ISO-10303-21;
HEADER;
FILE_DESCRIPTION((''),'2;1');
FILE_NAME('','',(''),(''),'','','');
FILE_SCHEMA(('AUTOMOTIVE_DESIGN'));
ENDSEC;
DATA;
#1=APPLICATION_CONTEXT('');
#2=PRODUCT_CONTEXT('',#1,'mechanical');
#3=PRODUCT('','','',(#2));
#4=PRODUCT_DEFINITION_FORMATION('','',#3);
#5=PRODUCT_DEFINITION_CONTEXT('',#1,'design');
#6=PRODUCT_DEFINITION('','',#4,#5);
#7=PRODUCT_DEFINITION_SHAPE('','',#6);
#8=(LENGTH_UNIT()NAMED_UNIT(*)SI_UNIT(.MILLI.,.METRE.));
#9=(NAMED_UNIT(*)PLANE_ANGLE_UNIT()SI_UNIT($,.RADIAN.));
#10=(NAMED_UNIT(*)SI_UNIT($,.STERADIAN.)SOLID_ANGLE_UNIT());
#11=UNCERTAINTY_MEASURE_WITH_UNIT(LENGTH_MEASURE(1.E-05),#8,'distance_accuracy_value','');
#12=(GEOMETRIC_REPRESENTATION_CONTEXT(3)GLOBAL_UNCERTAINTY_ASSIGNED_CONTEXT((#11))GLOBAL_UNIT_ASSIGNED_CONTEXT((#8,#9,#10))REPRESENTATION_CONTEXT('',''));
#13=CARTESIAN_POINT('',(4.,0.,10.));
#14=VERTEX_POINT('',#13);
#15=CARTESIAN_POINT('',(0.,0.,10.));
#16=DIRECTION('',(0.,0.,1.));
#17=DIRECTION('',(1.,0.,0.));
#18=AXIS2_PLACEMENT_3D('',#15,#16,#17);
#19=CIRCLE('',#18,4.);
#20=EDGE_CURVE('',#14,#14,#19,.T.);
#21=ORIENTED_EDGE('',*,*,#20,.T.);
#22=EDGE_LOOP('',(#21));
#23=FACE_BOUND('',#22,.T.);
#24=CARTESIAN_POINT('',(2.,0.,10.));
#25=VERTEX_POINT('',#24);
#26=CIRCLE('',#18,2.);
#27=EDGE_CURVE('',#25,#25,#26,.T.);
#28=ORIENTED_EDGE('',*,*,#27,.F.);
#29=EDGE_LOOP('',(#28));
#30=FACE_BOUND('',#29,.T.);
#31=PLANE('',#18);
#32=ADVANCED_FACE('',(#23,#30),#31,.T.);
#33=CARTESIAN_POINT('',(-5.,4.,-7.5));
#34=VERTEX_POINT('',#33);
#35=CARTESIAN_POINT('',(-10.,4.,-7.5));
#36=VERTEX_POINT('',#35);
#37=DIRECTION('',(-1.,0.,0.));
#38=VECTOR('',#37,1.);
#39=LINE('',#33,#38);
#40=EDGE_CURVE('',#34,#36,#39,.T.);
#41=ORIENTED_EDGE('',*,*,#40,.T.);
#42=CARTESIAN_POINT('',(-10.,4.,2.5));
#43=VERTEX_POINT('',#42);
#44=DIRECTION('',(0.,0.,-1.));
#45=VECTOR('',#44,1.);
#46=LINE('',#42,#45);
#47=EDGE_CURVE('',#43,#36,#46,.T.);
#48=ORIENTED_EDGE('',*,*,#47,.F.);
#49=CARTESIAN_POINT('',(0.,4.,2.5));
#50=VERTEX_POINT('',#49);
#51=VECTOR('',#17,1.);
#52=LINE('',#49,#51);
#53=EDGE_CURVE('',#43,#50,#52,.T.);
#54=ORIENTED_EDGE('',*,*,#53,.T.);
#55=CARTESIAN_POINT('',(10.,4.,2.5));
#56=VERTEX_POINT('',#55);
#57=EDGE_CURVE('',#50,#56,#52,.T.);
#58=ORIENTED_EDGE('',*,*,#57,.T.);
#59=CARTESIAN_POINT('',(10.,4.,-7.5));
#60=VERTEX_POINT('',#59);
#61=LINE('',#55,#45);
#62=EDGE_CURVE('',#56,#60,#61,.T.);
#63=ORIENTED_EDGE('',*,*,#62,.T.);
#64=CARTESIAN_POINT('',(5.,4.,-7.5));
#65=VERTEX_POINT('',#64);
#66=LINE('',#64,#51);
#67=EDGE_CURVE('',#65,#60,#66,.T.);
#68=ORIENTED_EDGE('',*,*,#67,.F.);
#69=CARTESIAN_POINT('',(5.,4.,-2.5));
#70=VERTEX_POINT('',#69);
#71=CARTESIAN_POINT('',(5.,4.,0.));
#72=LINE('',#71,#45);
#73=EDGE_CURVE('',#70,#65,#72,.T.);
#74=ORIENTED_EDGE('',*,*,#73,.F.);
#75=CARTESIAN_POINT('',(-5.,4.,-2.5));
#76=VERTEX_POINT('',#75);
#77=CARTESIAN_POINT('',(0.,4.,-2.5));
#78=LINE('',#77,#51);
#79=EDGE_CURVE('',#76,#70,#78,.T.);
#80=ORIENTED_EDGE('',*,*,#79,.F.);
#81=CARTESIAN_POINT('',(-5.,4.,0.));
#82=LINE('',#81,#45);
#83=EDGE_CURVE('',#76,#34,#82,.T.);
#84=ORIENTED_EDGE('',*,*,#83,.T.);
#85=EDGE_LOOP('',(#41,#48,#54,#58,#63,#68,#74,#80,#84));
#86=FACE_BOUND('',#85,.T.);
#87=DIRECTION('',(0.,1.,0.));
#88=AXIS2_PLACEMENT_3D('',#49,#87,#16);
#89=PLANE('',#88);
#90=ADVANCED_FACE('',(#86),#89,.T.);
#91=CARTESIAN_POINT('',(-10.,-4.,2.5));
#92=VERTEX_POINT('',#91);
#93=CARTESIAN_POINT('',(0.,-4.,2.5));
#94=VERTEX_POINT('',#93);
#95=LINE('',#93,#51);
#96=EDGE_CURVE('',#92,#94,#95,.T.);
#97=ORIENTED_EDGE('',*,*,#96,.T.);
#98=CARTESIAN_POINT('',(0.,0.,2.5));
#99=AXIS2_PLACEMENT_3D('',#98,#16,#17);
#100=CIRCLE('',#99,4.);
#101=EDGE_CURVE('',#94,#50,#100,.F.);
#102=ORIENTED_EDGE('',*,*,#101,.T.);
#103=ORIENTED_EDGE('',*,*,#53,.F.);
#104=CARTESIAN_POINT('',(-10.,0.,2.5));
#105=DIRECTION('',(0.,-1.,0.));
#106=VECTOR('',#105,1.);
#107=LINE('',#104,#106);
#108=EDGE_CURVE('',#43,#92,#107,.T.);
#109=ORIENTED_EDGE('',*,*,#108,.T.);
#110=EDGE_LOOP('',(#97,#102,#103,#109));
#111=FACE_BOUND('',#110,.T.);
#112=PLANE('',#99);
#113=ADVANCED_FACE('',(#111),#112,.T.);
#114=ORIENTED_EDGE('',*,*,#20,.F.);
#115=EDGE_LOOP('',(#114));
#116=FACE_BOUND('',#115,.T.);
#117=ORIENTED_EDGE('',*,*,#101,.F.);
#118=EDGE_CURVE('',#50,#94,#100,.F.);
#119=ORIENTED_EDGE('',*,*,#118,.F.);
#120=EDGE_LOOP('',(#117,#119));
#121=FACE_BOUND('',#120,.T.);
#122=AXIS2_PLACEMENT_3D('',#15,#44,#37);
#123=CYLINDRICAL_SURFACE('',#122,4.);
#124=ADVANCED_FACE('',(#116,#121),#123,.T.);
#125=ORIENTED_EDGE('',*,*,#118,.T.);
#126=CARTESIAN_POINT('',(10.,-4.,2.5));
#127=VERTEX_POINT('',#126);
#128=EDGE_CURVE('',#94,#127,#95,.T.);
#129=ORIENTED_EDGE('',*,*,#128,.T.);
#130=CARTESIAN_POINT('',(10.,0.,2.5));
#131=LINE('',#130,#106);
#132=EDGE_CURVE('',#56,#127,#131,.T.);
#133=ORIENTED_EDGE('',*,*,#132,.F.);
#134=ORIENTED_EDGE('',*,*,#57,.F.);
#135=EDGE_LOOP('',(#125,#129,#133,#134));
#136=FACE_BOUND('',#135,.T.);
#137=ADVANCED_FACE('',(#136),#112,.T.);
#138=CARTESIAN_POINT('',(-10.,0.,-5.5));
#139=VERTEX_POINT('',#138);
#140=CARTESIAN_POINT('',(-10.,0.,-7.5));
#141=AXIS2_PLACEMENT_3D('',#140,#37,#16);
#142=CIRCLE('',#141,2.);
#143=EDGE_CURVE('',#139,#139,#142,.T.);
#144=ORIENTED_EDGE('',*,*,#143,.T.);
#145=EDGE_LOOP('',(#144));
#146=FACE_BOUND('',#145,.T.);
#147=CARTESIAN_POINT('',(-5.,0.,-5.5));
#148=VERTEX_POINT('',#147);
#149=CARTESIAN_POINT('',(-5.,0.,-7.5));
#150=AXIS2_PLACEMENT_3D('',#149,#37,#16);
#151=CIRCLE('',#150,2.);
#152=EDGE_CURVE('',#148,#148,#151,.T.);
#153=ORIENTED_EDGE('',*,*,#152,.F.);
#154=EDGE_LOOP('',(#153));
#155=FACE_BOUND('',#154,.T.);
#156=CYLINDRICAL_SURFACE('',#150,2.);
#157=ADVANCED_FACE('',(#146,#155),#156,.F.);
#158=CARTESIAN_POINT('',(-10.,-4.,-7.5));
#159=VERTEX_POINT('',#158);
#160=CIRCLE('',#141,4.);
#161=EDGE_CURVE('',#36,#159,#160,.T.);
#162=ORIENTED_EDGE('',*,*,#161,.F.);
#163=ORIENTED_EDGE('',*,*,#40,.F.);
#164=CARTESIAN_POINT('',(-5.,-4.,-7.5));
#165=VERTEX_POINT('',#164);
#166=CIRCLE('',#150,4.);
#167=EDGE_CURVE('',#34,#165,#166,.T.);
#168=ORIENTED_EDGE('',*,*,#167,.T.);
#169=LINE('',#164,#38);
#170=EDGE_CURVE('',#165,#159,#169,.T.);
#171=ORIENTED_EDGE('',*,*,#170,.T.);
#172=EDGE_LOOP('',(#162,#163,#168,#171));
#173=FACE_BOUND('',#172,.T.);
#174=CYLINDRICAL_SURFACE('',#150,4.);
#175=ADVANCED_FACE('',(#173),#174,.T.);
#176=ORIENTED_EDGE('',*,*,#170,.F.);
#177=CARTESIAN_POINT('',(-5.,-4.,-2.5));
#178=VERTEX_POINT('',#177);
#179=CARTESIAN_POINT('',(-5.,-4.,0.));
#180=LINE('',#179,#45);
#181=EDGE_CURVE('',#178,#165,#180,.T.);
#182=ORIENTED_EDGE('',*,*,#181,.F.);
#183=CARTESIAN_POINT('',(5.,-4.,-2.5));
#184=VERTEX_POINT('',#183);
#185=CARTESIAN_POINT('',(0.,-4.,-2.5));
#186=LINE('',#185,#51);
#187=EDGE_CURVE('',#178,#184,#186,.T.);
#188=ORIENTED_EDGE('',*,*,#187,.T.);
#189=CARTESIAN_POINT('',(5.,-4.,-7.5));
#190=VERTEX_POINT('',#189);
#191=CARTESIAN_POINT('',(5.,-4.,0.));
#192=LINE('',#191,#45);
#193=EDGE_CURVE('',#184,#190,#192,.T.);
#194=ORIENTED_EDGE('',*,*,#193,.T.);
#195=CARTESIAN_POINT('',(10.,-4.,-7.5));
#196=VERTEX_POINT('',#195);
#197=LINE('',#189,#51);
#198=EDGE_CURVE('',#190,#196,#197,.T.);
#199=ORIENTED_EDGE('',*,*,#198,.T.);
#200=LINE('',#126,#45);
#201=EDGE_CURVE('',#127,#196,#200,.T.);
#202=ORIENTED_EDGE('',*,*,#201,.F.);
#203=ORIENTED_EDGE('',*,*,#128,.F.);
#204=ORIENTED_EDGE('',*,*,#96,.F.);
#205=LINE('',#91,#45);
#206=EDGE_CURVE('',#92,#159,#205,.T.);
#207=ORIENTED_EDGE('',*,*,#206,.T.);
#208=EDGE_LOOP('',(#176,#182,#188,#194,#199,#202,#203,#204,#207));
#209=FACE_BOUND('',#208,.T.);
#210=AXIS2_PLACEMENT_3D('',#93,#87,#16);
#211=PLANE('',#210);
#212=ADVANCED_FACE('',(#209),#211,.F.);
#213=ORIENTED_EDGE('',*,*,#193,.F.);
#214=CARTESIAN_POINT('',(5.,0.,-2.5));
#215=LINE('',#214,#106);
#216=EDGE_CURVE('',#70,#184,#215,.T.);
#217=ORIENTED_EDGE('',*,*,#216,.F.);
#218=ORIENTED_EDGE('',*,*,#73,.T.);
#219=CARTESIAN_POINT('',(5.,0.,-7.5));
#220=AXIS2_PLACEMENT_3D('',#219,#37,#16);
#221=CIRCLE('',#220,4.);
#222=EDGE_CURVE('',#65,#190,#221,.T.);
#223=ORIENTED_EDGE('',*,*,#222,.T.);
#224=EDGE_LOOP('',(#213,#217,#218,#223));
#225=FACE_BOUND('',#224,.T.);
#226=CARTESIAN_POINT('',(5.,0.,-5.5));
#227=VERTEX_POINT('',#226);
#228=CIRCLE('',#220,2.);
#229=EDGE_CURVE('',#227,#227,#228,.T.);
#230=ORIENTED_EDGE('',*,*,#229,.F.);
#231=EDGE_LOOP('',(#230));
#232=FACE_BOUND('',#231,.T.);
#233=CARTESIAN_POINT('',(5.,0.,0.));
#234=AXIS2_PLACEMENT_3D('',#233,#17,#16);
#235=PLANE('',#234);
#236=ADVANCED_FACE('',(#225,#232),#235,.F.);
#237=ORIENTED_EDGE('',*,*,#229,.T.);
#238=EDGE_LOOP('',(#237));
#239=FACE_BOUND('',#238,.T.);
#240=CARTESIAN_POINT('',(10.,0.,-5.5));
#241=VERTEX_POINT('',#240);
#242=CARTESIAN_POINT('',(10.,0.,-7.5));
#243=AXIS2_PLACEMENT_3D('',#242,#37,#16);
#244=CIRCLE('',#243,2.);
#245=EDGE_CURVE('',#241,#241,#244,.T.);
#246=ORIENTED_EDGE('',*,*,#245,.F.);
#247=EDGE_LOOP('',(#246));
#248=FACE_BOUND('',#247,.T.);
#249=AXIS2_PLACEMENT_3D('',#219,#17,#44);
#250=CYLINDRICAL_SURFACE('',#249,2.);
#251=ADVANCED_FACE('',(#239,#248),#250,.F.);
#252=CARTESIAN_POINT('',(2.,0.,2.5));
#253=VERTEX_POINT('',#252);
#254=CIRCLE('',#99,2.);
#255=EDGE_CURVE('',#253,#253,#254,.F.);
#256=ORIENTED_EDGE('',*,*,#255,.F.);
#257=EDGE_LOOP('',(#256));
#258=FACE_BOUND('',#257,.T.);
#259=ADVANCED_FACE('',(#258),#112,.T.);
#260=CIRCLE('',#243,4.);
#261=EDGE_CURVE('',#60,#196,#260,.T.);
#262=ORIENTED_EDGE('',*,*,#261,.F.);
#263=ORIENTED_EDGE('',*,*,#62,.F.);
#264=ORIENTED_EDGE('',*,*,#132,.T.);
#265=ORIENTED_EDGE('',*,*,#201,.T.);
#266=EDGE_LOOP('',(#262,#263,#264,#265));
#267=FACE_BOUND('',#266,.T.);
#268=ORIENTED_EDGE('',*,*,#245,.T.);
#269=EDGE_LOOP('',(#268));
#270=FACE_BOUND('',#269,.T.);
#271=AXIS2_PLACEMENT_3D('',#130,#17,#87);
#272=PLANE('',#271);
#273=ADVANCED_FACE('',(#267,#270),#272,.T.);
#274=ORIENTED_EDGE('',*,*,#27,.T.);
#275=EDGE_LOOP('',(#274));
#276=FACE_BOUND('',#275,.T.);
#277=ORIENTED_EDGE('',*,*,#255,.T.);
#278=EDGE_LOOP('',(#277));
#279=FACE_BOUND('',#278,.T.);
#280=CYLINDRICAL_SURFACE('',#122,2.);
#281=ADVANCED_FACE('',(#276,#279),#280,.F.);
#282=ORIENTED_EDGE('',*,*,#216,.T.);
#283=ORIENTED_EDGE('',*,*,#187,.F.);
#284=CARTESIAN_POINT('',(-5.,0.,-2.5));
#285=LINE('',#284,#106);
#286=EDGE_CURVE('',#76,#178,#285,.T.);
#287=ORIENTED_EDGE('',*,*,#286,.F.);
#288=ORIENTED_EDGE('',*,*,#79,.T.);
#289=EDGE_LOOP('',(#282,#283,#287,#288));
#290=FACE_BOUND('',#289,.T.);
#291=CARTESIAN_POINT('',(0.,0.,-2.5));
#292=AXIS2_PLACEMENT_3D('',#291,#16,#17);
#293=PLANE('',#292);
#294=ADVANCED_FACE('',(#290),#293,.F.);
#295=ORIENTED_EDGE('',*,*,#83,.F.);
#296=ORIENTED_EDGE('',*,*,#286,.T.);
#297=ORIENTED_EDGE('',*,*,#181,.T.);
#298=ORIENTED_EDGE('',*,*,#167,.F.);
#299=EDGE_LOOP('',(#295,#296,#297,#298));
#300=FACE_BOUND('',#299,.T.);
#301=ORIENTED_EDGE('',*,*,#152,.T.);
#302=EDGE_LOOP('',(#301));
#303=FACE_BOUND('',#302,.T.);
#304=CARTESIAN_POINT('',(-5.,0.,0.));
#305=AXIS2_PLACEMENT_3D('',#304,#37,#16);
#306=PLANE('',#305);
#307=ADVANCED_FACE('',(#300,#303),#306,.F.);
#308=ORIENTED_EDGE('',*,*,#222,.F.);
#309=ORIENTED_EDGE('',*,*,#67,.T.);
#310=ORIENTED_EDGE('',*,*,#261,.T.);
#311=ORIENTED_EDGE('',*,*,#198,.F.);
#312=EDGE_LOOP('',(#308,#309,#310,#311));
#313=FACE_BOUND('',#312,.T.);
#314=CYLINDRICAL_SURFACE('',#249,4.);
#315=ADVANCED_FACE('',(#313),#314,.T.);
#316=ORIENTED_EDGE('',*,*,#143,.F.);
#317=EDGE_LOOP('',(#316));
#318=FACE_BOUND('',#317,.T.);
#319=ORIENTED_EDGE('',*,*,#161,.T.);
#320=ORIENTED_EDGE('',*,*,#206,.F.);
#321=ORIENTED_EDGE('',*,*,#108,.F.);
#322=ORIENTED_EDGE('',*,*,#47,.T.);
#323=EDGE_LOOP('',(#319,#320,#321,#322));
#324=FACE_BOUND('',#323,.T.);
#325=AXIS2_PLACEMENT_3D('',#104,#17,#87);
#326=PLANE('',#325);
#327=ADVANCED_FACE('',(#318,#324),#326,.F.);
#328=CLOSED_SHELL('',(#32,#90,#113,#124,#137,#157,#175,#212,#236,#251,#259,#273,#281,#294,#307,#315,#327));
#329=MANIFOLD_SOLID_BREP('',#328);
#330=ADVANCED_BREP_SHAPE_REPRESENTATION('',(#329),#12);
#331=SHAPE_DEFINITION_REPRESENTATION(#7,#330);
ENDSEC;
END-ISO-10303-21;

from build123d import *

# Parameters (mm, degrees)
SKETCH1_R           = 4
SKETCH1_R_2         = 2
BOSS_EXTRUDE1_DEPTH = 2.5
SKETCH1_3_R         = 4
SKETCH1_3_R_2       = 2
BOSS_EXTRUDE2_DEPTH = 10
BOSS_EXTRUDE3_DEPTH = 5


with BuildPart() as part:
    # Sketch1 → Boss-Extrude1 (new, symmetric)
    # profile 1 of 4: a face of its own
    with BuildSketch(Plane.XY):
        with BuildLine():
            Line((10, 4), (0, 4))
            ThreePointArc((0, 4), (2.828427125, 2.828427125), (4, 0))
            ThreePointArc((4, 0), (2.828427125, -2.828427125), (0, -4))
            Line((0, -4), (10, -4))
            Line((10, -4), (10, 4))
        make_face()
    # profile 2 of 4: a face of its own
    with BuildSketch(Plane.XY):
        with BuildLine():
            Line((0, 4), (-10, 4))
            Line((-10, 4), (-10, -4))
            Line((-10, -4), (0, -4))
            ThreePointArc((0, -4), (-4, 0), (0, 4))
        make_face()
    # profile 3 of 4: a face of its own
    with BuildSketch(Plane.XY):
        Circle(SKETCH1_R)
        Circle(SKETCH1_R_2, mode=Mode.SUBTRACT)
    # profile 4 of 4: a face of its own
    with BuildSketch(Plane.XY):
        Circle(SKETCH1_R_2)
    extrude(amount=BOSS_EXTRUDE1_DEPTH, both=True)

    # Sketch1<3> → Boss-Extrude2 (add)
    with BuildSketch(Plane.XY):
        with Locations(Location((0, 0, 0), (0, 0, 270))):
            Circle(SKETCH1_3_R)
        Circle(SKETCH1_3_R_2, mode=Mode.SUBTRACT)
    extrude(amount=BOSS_EXTRUDE2_DEPTH)

    # Sketch2 → Boss-Extrude3 (add)
    with BuildSketch(Plane.ZY.offset(10)):
        with BuildLine():
            Line((-2.5, -4), (-2.5, 4))
            Line((-2.5, 4), (-7.5, 4))
            ThreePointArc((-7.5, 4), (-4.671572875, 2.828427125), (-3.5, 0))
            ThreePointArc((-3.5, 0), (-4.671572875, -2.828427125), (-7.5, -4))
            Line((-7.5, -4), (-2.5, -4))
        make_face()
        with BuildLine():
            ThreePointArc((-3.5, 0), (-4.671572875, 2.828427125), (-7.5, 4))
            Line((-7.5, 4), (-7.5, 2))
            ThreePointArc((-7.5, 2), (-6.085786438, 1.414213562), (-5.5, 0))
            ThreePointArc((-5.5, 0), (-6.085786438, -1.414213562), (-7.5, -2))
            Line((-7.5, -2), (-7.5, -4))
            ThreePointArc((-7.5, -4), (-4.671572875, -2.828427125), (-3.5, 0))
        make_face()
        with BuildLine():
            Line((-7.5, 2), (-7.5, 4))
            ThreePointArc((-7.5, 4), (-11.5, 0), (-7.5, -4))
            Line((-7.5, -4), (-7.5, -2))
            ThreePointArc((-7.5, -2), (-9.5, 0), (-7.5, 2))
        make_face()
    boss_extrude3 = extrude(amount=-BOSS_EXTRUDE3_DEPTH)

    # Mirror1: Boss-Extrude3 across plane
    add(boss_extrude3.mirror(Plane(origin=(0, 0, 0), x_dir=(0, 0, 1), z_dir=(1, 0, 0))))


solid = part.part
